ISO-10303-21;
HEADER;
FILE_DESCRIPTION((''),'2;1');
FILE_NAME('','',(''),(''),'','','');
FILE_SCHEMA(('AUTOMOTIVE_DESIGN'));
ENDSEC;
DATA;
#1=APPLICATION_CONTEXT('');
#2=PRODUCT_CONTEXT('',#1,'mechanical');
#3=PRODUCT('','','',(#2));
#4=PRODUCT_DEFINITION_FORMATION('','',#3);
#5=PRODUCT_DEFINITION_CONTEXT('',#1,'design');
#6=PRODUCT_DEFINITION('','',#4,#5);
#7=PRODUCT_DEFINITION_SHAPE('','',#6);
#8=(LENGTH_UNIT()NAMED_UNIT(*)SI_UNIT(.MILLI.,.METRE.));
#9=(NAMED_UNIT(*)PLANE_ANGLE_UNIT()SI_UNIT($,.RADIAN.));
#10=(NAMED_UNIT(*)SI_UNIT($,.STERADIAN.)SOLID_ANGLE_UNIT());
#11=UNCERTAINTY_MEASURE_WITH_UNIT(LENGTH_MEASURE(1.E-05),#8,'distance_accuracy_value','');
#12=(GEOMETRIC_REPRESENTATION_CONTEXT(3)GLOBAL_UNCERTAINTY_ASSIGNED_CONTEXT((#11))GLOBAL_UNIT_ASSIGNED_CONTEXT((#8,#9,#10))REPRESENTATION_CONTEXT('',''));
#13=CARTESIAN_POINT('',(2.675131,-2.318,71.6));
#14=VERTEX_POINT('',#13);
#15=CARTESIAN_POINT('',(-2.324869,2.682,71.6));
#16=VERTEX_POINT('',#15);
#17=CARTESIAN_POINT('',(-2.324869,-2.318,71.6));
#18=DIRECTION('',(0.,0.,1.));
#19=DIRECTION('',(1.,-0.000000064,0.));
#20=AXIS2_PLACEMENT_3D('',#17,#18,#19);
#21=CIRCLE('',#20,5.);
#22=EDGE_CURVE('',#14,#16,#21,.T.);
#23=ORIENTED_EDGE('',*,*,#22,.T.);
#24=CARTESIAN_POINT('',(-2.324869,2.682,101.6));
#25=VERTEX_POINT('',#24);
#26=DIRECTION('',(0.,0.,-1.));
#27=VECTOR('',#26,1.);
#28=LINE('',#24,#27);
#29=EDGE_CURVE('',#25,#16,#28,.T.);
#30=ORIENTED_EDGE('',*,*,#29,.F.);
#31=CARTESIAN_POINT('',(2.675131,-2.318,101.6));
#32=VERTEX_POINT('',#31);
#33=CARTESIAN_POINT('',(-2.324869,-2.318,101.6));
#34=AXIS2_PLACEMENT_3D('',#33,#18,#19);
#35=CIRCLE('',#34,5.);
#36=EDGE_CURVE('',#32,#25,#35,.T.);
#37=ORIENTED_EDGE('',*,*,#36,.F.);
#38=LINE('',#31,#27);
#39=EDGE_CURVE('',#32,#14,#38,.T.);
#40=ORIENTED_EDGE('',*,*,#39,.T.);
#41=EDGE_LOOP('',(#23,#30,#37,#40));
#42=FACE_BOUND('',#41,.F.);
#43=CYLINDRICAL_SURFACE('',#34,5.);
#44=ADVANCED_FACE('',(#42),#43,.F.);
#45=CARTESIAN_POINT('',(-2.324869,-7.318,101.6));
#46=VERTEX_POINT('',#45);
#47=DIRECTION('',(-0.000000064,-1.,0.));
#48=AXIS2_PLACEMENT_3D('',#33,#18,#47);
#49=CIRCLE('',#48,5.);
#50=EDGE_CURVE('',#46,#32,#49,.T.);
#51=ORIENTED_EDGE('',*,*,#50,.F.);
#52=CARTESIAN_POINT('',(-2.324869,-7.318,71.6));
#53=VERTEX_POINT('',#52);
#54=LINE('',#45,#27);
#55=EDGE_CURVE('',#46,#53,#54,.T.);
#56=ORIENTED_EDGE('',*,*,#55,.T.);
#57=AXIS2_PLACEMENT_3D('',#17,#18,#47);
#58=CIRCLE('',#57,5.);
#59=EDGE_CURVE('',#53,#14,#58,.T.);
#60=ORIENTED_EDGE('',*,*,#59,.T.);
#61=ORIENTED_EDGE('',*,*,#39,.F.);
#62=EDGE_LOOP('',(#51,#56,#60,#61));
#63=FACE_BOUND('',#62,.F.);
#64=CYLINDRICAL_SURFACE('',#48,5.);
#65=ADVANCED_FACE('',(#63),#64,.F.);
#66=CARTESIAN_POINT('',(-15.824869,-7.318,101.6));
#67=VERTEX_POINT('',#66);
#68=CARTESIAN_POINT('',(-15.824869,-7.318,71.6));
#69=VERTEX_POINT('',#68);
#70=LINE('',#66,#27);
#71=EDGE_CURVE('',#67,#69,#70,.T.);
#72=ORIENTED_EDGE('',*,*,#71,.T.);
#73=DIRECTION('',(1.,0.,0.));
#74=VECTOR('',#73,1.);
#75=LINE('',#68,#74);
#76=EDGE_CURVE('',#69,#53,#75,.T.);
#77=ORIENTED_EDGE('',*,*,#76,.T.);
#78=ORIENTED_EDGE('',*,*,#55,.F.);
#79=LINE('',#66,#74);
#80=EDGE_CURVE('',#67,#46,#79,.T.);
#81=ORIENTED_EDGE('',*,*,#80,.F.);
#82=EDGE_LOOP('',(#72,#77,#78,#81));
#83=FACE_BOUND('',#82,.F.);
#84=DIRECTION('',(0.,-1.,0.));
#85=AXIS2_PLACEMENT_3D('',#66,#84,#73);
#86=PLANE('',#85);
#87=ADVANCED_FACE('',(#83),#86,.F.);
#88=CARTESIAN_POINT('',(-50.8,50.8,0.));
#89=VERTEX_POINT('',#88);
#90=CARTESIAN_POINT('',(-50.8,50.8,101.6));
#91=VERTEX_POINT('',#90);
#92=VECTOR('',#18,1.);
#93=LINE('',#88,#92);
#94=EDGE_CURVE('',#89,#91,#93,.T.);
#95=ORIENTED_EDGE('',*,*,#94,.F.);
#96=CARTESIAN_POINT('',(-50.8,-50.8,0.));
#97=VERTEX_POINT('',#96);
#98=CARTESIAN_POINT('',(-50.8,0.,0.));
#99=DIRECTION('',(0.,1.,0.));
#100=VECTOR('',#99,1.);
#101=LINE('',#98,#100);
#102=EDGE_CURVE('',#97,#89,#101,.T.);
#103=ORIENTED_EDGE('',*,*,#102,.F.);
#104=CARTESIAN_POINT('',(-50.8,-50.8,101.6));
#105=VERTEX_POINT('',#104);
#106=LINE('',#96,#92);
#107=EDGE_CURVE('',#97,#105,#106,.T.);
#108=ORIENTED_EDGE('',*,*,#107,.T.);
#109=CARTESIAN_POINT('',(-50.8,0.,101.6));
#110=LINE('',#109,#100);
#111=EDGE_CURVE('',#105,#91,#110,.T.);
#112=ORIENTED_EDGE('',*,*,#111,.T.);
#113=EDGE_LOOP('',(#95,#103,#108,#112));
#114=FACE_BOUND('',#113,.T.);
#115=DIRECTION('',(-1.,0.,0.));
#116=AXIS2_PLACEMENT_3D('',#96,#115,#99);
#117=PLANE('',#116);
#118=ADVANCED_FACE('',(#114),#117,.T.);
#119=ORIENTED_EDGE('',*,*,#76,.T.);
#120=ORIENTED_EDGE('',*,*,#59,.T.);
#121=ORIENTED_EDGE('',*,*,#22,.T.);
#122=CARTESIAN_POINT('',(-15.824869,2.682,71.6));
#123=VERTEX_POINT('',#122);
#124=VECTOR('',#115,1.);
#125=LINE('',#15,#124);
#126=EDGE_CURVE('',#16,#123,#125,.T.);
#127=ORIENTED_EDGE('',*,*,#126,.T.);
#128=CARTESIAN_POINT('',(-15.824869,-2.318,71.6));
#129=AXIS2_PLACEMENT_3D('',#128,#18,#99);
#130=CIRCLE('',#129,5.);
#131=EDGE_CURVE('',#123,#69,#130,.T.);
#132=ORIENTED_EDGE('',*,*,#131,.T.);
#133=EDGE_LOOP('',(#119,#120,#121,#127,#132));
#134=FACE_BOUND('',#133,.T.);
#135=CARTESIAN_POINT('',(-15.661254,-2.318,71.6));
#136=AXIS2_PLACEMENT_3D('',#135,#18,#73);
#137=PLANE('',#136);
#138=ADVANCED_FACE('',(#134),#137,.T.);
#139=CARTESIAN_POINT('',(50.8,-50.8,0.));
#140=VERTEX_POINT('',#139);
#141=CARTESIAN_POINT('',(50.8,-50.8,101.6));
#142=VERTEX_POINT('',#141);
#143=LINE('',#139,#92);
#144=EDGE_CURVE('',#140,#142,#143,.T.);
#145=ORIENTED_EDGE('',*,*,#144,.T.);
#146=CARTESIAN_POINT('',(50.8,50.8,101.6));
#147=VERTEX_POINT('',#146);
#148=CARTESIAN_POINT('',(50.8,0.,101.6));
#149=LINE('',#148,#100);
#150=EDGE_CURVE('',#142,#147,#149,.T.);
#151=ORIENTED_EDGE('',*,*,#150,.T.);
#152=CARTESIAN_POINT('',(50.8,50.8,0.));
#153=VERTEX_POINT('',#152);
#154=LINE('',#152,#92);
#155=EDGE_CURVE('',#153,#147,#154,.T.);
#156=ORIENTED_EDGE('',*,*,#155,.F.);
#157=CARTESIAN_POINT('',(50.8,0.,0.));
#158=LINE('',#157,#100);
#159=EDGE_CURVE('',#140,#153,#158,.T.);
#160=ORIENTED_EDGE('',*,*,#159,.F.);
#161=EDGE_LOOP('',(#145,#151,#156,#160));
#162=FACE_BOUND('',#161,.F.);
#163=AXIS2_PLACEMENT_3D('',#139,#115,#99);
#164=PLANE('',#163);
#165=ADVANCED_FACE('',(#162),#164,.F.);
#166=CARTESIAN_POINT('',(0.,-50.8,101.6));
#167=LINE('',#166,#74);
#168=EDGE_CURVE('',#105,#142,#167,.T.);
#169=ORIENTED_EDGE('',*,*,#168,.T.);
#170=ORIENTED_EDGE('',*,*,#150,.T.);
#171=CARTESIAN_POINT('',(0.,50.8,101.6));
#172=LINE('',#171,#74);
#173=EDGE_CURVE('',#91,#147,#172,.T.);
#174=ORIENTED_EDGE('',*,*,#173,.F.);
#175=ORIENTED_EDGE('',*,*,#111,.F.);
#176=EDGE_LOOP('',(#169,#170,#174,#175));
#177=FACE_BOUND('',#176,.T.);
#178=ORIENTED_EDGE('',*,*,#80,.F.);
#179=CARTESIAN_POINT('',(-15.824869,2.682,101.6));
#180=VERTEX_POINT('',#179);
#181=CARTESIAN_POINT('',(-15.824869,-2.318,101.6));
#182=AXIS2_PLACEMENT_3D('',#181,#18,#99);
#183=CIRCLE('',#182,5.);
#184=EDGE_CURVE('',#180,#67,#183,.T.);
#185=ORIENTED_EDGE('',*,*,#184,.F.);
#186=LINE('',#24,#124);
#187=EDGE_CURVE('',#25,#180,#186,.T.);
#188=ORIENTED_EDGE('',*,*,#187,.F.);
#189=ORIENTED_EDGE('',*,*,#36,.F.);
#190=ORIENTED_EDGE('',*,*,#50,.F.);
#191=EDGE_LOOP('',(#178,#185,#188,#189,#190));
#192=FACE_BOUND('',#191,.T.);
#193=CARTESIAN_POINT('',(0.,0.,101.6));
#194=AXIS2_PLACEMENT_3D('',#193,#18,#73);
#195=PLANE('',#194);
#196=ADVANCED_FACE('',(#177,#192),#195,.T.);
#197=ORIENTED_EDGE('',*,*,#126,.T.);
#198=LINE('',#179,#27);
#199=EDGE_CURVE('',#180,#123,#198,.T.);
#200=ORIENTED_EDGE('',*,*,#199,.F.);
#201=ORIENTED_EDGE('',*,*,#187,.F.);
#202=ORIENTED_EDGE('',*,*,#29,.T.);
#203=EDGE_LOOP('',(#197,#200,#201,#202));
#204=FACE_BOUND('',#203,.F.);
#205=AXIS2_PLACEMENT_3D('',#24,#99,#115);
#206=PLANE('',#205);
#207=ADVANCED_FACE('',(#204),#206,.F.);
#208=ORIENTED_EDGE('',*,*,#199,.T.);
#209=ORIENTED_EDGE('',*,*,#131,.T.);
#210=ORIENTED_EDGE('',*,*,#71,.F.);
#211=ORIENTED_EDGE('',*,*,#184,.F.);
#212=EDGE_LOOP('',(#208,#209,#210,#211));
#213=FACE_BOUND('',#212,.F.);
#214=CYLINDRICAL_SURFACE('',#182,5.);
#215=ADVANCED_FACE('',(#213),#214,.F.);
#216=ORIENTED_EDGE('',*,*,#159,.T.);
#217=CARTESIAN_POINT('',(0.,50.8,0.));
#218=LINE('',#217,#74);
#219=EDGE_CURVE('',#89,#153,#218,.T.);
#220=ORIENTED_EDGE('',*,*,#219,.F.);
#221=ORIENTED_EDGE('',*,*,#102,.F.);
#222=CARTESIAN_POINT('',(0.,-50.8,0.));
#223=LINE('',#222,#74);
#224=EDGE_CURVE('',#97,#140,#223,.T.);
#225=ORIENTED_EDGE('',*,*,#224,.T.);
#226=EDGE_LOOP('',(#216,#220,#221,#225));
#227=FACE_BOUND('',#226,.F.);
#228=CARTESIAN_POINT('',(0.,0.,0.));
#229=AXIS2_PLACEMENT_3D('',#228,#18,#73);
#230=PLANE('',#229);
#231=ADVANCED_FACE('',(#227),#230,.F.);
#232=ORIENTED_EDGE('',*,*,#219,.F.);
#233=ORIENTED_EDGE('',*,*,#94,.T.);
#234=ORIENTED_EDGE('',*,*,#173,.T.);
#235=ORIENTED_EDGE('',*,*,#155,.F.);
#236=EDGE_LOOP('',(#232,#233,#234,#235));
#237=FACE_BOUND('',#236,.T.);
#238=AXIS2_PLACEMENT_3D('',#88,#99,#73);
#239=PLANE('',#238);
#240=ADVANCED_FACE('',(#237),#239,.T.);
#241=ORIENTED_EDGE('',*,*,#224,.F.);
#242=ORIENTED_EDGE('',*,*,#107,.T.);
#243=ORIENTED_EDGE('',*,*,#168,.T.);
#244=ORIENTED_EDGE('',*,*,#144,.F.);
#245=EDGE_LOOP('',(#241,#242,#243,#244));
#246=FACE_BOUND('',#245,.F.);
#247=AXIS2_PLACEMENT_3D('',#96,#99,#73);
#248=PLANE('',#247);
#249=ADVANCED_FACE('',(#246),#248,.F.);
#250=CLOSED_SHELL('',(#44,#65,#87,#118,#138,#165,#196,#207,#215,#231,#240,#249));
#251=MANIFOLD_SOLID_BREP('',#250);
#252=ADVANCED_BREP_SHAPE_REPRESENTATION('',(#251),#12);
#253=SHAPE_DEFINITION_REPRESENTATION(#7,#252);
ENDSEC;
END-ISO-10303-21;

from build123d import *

# Parameters (mm, degrees)
F0_W     = 101.6
F0_H     = 101.6
F1_DEPTH = 101.6
F3_DEPTH = 30


with BuildPart() as f1:
    # F0 (on Top) → F1 (new body)
    with BuildSketch(Plane.XY):
        Rectangle(F0_W, F0_H)
    extrude(amount=F1_DEPTH)

    # F2 (on face) → F3 (cut)
    with BuildSketch(Plane.XY.offset(101.6)):
        with BuildLine():
            ThreePointArc((-15.824869, -7.318), (-12.289335, -5.853534), (-10.824869, -2.318))
            ThreePointArc((-10.824869, -2.318), (-12.289335, 1.217534), (-15.824869, 2.682))
            ThreePointArc((-15.824869, 2.682), (-20.824869, -2.318), (-15.824869, -7.318))
        make_face()
        with BuildLine():
            ThreePointArc((-15.824869, 2.682), (-12.289335, 1.217534), (-10.824869, -2.318))
            ThreePointArc((-10.824869, -2.318), (-12.289335, -5.853534), (-15.824869, -7.318))
            Line((-15.824869, -7.318), (-2.324869, -7.318))
            ThreePointArc((-2.324869, -7.318), (-7.324869, -2.318), (-2.324869, 2.682))
            Line((-2.324869, 2.682), (-15.824869, 2.682))
        make_face()
        with BuildLine():
            ThreePointArc((2.675131, -2.318), (1.210665, 1.217534), (-2.324869, 2.682))
            ThreePointArc((-2.324869, 2.682), (-7.324869, -2.318), (-2.324869, -7.318))
            ThreePointArc((-2.324869, -7.318), (1.210665, -5.853534), (2.675131, -2.318))
        make_face()
    extrude(amount=-F3_DEPTH, mode=Mode.SUBTRACT)


solid = f1.part
